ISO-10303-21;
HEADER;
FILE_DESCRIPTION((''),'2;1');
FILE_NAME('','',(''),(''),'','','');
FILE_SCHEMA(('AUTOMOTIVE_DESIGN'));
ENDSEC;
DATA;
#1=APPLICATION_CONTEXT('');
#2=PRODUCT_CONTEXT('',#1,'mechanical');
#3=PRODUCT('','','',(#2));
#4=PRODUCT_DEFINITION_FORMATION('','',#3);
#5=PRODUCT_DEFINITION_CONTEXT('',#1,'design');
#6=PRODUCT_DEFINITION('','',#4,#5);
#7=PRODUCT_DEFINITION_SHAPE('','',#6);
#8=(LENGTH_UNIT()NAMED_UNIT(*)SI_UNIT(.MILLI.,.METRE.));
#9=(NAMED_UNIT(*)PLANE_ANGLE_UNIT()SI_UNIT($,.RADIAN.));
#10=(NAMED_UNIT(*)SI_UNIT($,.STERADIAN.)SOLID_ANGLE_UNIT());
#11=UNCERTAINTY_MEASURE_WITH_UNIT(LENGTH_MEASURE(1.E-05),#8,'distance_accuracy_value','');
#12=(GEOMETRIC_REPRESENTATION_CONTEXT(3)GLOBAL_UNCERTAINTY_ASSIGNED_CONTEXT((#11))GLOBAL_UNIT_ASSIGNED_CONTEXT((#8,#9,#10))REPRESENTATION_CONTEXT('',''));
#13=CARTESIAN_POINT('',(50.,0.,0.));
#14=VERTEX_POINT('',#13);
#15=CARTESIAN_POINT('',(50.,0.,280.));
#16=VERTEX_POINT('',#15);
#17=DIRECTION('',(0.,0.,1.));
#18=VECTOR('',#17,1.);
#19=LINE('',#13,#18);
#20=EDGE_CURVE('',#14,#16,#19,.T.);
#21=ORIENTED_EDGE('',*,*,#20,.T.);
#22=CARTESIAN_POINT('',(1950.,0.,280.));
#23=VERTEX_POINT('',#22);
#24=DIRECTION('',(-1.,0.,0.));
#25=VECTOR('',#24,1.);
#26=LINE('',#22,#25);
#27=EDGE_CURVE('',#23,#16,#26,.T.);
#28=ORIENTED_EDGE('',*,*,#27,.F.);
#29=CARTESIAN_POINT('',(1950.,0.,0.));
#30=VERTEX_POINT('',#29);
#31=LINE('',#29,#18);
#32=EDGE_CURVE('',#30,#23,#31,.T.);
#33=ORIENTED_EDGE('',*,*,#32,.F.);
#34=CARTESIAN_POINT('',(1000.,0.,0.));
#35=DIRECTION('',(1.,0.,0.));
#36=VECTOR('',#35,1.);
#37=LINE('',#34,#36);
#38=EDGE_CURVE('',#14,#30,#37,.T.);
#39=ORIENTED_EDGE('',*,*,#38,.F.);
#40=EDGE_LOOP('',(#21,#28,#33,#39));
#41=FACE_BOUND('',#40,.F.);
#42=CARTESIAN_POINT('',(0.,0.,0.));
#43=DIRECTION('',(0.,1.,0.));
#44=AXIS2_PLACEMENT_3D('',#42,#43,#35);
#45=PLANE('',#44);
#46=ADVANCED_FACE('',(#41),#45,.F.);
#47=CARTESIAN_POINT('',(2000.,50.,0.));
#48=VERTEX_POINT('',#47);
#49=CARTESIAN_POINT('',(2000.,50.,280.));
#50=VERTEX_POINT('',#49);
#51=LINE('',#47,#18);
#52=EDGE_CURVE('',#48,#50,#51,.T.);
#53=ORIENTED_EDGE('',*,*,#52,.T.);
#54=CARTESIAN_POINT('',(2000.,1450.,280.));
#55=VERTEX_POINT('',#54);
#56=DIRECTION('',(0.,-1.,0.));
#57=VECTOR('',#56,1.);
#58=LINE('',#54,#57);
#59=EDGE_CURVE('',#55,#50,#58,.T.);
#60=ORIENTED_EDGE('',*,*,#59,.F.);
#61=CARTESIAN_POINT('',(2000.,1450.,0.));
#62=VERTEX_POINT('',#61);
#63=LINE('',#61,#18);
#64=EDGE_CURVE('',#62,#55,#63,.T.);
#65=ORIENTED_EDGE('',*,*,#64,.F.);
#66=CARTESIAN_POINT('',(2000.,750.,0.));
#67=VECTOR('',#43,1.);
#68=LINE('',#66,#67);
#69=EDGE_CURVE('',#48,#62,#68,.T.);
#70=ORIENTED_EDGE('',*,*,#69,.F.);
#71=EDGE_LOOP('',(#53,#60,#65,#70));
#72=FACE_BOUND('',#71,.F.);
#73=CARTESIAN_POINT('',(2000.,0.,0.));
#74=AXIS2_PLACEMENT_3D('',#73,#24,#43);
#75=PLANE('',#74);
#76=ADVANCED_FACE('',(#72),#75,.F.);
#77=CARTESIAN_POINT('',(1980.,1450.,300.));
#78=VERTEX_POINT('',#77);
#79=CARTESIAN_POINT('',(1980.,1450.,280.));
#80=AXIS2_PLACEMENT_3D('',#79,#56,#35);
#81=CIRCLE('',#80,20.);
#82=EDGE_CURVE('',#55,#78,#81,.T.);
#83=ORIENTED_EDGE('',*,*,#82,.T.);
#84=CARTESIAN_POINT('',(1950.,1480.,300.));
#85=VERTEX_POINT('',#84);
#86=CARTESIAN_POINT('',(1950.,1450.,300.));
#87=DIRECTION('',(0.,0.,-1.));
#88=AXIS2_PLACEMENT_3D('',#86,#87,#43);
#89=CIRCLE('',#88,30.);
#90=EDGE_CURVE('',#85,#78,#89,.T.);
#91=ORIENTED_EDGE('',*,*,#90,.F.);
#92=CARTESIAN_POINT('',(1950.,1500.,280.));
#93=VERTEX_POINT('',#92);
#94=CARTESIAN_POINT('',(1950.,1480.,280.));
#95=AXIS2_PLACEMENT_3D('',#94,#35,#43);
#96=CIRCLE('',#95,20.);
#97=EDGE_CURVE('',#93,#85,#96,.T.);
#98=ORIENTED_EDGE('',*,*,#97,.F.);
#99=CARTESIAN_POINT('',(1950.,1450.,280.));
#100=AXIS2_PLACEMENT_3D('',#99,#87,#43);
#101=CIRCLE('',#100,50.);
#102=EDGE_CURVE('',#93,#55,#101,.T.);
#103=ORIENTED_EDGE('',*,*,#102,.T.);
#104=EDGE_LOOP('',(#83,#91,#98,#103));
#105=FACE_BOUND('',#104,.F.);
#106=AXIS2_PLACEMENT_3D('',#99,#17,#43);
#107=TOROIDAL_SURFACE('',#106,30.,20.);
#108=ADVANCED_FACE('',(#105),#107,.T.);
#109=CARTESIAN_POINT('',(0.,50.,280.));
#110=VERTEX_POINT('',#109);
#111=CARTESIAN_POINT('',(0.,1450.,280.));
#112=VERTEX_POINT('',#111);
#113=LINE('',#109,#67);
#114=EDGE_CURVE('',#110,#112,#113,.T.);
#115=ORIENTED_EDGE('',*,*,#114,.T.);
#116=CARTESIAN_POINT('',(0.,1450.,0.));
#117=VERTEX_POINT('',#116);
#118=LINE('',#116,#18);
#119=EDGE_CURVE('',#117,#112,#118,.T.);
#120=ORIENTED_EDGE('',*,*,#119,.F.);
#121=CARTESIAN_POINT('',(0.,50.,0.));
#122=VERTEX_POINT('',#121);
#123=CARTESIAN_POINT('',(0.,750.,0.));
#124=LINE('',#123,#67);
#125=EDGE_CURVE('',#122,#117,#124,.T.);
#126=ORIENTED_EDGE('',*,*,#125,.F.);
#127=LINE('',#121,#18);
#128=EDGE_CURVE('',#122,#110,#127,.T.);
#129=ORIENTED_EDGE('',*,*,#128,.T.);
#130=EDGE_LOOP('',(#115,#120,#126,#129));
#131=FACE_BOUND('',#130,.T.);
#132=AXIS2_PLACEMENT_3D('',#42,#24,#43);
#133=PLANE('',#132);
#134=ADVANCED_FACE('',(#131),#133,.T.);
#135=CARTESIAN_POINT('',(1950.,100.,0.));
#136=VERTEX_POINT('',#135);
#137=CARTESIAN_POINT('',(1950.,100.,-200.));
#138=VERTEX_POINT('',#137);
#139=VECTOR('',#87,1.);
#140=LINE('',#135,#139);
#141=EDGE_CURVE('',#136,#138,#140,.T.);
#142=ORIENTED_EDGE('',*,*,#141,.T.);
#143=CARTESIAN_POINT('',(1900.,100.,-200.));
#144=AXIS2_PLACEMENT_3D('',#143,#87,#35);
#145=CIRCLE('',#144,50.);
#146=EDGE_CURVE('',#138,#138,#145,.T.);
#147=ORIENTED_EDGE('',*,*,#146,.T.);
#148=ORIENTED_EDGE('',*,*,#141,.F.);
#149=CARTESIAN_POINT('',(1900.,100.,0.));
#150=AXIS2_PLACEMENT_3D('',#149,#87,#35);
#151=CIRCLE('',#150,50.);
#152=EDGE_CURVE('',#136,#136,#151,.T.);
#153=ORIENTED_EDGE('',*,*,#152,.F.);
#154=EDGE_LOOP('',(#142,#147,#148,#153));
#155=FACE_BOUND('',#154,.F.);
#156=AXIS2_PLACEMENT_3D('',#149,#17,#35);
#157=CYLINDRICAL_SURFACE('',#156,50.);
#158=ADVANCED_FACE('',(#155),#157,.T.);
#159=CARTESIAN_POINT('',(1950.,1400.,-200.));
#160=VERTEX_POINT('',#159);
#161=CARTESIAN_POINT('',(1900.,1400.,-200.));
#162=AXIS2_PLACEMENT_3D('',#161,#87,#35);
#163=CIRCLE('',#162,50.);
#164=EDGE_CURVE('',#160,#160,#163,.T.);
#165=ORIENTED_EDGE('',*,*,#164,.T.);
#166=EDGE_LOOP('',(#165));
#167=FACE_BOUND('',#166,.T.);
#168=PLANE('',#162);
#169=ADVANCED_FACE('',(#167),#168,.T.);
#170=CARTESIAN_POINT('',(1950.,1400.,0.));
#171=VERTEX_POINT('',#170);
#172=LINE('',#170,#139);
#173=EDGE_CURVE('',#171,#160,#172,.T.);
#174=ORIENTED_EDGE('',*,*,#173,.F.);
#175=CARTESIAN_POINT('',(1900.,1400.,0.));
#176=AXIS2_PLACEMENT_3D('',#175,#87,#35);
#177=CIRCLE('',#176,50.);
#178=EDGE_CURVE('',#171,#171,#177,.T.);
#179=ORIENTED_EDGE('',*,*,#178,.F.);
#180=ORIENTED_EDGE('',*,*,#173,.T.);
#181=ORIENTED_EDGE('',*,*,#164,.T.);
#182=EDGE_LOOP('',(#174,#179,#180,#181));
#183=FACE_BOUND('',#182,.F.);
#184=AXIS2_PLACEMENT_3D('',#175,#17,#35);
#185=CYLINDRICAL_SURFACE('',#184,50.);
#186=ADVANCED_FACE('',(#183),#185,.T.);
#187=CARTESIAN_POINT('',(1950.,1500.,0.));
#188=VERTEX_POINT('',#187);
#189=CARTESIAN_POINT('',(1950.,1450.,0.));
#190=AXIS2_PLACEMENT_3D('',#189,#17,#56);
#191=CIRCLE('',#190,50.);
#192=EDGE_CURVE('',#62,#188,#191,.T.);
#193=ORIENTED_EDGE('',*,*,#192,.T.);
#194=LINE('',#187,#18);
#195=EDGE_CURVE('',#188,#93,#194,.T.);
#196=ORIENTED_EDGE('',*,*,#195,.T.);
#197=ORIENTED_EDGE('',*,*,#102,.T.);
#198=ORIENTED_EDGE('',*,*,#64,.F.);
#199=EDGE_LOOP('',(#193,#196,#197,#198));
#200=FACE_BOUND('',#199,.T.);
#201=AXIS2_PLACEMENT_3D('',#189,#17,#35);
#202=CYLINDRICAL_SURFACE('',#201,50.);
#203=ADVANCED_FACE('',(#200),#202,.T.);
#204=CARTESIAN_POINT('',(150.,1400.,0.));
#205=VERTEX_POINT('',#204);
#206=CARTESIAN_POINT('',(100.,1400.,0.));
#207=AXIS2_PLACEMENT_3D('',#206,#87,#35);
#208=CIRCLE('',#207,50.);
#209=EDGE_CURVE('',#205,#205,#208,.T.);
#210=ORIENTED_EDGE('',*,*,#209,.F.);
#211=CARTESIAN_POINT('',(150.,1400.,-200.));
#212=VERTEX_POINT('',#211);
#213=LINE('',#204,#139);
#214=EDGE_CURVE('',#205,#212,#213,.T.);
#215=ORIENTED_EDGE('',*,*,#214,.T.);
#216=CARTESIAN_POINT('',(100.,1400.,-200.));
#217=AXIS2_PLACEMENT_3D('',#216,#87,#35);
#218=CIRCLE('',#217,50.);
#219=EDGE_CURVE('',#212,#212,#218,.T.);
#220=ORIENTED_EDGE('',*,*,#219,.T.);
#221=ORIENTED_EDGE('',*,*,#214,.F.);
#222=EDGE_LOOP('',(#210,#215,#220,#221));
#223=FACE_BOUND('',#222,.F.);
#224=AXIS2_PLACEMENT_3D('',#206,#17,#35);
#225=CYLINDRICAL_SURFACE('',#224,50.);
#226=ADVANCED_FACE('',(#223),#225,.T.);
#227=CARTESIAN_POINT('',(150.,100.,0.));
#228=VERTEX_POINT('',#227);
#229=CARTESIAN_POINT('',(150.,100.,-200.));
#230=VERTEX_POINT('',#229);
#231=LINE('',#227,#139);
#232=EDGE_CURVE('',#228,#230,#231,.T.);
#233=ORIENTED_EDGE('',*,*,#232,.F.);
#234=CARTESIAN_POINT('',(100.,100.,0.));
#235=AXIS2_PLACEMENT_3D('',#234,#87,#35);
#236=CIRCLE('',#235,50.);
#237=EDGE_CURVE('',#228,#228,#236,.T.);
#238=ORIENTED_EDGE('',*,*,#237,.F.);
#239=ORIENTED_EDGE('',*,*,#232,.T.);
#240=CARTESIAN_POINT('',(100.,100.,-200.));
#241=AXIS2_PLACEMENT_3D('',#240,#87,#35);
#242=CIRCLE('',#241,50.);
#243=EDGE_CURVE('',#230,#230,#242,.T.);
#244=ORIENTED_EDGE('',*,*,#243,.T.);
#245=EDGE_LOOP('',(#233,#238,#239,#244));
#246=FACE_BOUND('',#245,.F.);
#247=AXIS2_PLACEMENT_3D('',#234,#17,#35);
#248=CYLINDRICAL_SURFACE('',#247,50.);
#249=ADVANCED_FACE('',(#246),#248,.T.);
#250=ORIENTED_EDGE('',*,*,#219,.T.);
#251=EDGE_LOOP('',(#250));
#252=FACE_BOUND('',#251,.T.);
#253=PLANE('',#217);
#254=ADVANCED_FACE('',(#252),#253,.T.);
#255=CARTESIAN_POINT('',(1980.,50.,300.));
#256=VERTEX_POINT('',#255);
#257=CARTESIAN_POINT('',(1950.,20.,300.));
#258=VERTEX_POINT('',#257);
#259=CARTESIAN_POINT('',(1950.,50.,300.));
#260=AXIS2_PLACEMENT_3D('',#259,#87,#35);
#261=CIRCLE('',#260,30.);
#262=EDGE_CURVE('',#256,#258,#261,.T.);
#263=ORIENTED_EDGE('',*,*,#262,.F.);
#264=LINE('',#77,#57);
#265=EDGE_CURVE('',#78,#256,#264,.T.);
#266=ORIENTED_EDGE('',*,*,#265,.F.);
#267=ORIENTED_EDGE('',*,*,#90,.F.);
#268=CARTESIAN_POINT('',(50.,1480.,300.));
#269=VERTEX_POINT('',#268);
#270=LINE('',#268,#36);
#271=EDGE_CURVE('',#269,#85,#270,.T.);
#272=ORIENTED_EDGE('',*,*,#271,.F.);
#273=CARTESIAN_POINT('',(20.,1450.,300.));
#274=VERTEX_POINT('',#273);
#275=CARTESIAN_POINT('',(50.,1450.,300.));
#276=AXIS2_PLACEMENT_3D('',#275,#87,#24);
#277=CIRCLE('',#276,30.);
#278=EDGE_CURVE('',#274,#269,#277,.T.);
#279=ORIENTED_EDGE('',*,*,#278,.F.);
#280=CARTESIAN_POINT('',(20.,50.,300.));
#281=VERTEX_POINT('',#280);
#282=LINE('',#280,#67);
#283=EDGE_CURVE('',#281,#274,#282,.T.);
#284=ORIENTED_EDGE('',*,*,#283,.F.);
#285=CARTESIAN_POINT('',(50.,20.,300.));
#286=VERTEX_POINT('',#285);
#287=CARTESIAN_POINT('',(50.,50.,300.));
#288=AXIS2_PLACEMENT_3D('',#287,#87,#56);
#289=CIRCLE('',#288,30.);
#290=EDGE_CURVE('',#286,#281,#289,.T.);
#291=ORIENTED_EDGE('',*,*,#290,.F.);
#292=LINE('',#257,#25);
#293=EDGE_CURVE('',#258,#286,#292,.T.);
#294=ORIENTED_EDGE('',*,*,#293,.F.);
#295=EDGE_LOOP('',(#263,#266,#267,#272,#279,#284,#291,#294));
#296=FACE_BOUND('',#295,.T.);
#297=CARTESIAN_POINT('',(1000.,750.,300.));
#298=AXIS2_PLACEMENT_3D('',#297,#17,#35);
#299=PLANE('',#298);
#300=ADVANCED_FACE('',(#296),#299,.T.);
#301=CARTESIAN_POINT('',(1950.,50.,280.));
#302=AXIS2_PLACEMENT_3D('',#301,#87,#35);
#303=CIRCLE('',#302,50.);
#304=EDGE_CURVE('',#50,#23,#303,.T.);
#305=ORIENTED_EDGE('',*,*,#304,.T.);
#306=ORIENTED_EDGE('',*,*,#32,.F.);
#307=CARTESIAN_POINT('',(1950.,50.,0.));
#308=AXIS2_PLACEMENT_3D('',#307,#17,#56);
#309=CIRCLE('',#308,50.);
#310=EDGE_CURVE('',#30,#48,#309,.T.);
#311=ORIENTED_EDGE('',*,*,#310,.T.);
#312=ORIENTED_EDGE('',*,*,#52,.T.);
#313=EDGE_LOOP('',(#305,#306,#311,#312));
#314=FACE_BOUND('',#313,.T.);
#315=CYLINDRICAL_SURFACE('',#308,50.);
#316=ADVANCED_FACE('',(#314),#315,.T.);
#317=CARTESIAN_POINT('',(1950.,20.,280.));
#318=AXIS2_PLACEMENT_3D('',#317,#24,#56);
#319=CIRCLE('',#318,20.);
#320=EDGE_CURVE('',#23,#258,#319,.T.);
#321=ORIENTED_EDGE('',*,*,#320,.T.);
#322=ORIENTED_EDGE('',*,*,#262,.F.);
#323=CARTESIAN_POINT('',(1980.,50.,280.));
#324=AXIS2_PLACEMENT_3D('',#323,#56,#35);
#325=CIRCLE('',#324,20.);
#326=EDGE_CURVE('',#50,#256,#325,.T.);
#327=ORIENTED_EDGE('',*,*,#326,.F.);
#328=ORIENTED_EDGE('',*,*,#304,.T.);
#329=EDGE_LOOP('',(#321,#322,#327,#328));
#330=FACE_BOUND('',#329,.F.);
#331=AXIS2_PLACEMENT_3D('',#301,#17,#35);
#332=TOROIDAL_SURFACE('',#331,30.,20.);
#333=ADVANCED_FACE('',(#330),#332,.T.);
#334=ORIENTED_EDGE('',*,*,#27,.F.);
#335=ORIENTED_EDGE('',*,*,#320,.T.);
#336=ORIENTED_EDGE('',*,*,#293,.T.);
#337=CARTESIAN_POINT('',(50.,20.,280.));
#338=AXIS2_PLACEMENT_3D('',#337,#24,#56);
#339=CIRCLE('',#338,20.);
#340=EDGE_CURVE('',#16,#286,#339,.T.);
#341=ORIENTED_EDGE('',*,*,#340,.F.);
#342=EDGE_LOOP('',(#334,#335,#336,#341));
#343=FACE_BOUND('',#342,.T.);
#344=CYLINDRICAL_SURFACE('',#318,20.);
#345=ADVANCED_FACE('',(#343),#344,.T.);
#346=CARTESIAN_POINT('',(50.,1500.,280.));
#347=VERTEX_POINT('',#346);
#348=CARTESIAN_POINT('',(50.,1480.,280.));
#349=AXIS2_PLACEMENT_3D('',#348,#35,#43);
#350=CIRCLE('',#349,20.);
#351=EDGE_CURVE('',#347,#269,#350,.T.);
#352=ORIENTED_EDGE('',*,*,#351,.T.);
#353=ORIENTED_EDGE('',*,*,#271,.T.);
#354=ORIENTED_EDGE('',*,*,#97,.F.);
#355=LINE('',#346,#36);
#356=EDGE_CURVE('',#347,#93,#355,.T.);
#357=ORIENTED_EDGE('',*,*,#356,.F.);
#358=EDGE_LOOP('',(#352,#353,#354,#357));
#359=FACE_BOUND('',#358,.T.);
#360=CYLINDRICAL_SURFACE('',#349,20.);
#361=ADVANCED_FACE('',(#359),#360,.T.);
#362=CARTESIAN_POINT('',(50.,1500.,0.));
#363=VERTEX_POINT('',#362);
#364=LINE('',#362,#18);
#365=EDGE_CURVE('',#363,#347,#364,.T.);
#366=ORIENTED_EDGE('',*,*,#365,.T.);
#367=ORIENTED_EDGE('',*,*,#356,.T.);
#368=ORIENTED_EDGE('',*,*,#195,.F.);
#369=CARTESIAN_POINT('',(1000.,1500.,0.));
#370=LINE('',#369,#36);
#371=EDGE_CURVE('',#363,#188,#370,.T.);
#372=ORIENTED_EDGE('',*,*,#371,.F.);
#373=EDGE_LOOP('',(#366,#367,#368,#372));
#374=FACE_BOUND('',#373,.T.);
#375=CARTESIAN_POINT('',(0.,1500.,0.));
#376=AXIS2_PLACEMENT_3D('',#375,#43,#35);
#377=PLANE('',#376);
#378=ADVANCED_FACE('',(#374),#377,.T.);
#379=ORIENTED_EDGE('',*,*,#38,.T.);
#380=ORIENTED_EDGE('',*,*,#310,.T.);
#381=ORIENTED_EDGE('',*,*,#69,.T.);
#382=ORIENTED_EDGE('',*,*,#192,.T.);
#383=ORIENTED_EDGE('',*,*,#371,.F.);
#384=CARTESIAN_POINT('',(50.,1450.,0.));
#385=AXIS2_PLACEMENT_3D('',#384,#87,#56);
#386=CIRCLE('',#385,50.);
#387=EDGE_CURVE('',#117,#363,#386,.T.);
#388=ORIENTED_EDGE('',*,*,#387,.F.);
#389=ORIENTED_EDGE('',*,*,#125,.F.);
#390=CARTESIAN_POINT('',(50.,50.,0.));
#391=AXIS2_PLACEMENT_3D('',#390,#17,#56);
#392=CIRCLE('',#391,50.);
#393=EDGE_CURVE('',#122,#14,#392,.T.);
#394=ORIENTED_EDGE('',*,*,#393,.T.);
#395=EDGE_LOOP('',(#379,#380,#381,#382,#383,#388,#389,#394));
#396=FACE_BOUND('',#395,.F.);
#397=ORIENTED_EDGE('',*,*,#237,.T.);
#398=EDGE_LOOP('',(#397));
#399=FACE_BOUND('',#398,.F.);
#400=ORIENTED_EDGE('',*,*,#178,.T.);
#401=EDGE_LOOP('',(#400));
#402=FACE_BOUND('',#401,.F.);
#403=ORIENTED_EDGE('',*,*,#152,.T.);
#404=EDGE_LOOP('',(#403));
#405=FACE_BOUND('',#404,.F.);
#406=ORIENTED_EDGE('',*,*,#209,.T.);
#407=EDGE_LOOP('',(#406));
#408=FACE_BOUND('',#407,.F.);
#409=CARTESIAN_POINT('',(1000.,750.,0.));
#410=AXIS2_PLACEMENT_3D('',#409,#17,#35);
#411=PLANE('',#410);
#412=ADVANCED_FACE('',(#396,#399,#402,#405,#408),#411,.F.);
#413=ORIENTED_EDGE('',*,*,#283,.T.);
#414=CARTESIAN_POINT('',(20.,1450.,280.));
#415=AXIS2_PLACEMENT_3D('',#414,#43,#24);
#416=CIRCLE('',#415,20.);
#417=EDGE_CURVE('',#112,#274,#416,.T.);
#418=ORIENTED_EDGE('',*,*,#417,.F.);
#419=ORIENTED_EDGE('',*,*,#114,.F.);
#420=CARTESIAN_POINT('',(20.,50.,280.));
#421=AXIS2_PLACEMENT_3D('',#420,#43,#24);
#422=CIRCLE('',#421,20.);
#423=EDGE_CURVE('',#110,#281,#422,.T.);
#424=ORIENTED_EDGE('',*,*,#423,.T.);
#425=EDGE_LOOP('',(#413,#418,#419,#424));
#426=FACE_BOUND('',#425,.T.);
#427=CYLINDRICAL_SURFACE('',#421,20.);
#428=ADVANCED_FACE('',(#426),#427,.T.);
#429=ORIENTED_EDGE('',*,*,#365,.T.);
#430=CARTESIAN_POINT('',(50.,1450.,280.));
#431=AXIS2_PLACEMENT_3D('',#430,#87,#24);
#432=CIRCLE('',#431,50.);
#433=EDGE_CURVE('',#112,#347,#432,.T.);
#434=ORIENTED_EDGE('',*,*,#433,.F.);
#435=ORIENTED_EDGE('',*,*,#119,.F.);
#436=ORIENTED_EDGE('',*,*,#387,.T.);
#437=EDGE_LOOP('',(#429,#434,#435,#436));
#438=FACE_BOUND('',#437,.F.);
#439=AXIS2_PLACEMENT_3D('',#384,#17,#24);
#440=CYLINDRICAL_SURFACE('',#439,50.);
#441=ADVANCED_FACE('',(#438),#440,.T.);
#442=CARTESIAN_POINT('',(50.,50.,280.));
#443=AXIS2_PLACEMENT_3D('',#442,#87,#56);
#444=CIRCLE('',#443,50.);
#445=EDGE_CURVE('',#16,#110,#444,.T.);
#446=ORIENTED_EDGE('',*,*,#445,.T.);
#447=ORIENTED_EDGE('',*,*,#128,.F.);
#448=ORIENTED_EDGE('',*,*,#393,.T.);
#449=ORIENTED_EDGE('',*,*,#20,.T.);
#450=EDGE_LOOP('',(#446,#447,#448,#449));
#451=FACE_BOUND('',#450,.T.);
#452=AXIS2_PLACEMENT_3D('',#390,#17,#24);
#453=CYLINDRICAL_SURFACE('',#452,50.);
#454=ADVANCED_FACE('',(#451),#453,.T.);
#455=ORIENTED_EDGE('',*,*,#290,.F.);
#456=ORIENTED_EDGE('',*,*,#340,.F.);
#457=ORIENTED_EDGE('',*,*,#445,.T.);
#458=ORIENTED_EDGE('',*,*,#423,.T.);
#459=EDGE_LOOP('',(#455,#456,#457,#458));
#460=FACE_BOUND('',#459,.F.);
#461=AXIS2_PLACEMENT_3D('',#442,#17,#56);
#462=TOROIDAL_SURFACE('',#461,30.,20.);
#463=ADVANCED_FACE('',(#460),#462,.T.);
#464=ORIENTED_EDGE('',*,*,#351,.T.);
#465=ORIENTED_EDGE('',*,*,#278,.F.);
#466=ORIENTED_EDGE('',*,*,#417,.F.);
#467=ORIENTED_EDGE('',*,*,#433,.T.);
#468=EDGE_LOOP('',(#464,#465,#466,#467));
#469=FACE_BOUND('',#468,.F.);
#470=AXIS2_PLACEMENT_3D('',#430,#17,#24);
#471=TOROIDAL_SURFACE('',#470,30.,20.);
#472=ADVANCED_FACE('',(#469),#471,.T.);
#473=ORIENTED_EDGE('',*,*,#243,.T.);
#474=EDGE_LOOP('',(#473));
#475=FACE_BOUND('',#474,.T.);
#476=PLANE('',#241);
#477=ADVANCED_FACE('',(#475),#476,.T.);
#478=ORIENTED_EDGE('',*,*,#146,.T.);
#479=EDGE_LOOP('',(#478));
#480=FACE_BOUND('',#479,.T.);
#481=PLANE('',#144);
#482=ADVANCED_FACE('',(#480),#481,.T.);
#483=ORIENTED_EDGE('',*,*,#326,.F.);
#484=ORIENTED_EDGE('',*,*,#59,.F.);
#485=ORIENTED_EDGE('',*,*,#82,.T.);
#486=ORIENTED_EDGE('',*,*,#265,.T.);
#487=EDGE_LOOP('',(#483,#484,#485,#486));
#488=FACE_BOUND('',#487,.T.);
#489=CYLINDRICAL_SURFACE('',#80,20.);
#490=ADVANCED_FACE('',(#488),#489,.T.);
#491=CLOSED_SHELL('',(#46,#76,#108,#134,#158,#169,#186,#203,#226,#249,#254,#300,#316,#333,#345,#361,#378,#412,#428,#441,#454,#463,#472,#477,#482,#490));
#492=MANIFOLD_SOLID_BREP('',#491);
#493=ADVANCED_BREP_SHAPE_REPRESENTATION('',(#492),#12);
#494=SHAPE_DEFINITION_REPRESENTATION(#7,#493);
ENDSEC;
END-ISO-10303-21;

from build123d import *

# Parameters (mm, degrees)
F0_W     = 2000
F0_H     = 1500
F1_DEPTH = 300
F2_R     = 50
F3_R     = 20
F4_R     = 50
F5_DEPTH = 200


with BuildPart() as f1:
    # F0 (on Top) → F1 (new body)
    with BuildSketch(Plane.XY):
        with Locations((1000, 750)):
            Rectangle(F0_W, F0_H)
    extrude(amount=F1_DEPTH)

    # F2
    f2_edges = [f1.edges().sort_by_distance(p)[0] for p in [
        (2000, 0, 150),
        (2000, 1500, 150),
        (0, 0, 150),
        (0, 1500, 150),
    ]]
    fillet(f2_edges, radius=F2_R)

    # F3
    f3_edges = [f1.edges().sort_by_distance(p)[0] for p in [
        (0, 750, 300),
        (14.644661, 1485.355339, 300),
        (14.644661, 14.644661, 300),
        (1000, 1500, 300),
        (1000, 0, 300),
        (1985.355339, 1485.355339, 300),
        (1985.355339, 14.644661, 300),
        (2000, 750, 300),
    ]]
    fillet(f3_edges, radius=F3_R)

    # F4 (on face) → F5 (join)
    with BuildSketch(Plane(origin=(0, 0, 0), x_dir=(1, 0, 0), z_dir=(0, 0, -1))):
        with Locations((100, -100)):
            Circle(F4_R)
        with Locations((100, -1400)):
            Circle(F4_R)
        with Locations((1900, -100)):
            Circle(F4_R)
        with Locations((1900, -1400)):
            Circle(F4_R)
    extrude(amount=F5_DEPTH)


solid = f1.part
